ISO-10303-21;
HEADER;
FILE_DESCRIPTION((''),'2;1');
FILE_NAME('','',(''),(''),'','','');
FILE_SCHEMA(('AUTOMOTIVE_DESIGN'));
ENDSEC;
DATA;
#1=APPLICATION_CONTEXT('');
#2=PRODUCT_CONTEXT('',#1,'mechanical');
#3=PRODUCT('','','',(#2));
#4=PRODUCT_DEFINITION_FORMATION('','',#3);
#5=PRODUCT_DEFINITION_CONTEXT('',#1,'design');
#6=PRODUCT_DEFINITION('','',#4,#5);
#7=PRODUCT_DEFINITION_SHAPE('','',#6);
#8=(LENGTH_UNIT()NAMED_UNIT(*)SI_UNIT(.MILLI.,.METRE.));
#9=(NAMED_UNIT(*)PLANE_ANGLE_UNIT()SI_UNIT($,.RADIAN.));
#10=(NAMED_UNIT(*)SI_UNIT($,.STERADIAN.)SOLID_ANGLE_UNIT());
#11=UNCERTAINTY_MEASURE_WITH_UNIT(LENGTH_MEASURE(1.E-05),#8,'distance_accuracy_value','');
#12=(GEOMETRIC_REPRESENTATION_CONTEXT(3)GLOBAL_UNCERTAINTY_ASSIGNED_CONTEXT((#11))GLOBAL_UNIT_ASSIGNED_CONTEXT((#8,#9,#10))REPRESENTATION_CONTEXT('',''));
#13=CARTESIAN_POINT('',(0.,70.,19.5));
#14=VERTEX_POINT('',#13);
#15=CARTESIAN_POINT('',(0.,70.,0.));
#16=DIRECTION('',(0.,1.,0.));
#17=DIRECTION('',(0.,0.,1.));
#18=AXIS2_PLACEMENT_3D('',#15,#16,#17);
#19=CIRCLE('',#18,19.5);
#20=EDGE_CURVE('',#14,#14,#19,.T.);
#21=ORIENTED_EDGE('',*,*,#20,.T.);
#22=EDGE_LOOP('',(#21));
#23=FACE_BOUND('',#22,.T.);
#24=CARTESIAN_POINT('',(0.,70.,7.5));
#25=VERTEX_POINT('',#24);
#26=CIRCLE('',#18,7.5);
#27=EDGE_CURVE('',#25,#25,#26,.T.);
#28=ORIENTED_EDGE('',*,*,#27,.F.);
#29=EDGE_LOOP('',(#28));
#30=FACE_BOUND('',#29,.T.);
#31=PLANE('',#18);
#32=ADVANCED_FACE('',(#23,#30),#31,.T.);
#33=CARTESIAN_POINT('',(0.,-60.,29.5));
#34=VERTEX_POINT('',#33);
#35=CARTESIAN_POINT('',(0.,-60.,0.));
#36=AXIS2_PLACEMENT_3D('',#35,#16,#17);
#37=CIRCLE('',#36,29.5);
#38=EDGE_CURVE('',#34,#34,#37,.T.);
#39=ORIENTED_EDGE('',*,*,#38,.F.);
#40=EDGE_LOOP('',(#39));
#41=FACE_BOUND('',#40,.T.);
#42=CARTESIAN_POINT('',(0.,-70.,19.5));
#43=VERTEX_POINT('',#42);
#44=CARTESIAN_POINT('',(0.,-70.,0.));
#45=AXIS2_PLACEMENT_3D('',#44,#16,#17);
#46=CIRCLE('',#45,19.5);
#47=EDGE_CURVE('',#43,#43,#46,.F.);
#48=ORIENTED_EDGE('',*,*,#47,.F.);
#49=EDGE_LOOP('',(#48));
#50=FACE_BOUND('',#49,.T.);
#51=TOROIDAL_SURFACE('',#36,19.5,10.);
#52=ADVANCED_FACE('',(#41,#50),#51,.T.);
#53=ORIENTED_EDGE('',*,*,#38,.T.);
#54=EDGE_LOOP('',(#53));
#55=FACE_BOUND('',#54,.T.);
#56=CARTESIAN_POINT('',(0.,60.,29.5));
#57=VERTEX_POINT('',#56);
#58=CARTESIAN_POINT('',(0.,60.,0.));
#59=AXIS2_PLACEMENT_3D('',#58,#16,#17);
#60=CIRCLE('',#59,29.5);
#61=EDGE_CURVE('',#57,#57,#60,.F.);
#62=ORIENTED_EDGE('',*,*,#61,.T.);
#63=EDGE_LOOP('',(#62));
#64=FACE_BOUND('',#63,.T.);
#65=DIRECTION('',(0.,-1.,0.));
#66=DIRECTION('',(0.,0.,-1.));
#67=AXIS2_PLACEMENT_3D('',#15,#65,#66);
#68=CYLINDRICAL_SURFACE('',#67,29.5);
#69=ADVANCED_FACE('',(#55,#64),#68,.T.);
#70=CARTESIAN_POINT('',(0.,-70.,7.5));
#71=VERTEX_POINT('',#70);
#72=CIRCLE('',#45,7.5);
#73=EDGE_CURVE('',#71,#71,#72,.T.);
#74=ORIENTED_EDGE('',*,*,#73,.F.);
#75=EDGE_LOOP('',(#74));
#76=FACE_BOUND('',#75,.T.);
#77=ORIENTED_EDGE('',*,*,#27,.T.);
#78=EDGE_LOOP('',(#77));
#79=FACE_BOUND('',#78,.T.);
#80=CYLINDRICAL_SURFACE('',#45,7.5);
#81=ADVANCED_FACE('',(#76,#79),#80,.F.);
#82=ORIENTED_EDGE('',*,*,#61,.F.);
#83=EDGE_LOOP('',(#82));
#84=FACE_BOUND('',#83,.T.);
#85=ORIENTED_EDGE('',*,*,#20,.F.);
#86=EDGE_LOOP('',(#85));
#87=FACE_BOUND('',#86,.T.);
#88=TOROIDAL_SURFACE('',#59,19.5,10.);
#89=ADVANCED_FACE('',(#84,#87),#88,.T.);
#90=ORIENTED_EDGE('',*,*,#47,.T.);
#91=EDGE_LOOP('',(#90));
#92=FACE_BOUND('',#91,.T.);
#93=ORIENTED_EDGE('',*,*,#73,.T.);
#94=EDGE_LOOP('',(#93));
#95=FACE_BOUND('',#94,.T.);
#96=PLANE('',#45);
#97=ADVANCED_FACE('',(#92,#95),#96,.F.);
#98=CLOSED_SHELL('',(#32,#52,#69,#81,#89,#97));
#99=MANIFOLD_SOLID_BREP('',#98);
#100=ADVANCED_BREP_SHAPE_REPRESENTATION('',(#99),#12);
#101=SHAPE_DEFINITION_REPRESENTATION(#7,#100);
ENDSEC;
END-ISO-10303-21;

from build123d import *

# Parameters (mm, degrees)
SKETCH1_R           = 29.5
BOSS_EXTRUDE1_DEPTH = 70
FILLET1_R           = 10
SKETCH2_R           = 7.5
CUT_EXTRUDE1_DEPTH  = 147.083880034


with BuildPart() as part:
    # Sketch1 → Boss-Extrude1 (new, symmetric)
    with BuildSketch(Plane(origin=(0, 0, 0), x_dir=(1, 0, 0), z_dir=(0, 1, 0))):
        with Locations(Location((0, 0, 0), (0, 0, 270))):
            Circle(SKETCH1_R)
    extrude(amount=BOSS_EXTRUDE1_DEPTH, both=True)

    # Fillet1
    fillet1_edges = [part.edges().sort_by_distance(p)[0] for p in [
        (0, -70, -29.5),
        (0, 70, -29.5),
    ]]
    fillet(fillet1_edges, radius=FILLET1_R)

    # Sketch2 → Cut-Extrude1 (cut, through all)
    with BuildSketch(Plane(origin=(0, 70, 0), x_dir=(1, 0, 0), z_dir=(0, 1, 0))):
        with Locations(Location((0, 0, 0), (0, 0, 270))):
            Circle(SKETCH2_R)
    extrude(amount=-CUT_EXTRUDE1_DEPTH, mode=Mode.SUBTRACT)


solid = part.part
